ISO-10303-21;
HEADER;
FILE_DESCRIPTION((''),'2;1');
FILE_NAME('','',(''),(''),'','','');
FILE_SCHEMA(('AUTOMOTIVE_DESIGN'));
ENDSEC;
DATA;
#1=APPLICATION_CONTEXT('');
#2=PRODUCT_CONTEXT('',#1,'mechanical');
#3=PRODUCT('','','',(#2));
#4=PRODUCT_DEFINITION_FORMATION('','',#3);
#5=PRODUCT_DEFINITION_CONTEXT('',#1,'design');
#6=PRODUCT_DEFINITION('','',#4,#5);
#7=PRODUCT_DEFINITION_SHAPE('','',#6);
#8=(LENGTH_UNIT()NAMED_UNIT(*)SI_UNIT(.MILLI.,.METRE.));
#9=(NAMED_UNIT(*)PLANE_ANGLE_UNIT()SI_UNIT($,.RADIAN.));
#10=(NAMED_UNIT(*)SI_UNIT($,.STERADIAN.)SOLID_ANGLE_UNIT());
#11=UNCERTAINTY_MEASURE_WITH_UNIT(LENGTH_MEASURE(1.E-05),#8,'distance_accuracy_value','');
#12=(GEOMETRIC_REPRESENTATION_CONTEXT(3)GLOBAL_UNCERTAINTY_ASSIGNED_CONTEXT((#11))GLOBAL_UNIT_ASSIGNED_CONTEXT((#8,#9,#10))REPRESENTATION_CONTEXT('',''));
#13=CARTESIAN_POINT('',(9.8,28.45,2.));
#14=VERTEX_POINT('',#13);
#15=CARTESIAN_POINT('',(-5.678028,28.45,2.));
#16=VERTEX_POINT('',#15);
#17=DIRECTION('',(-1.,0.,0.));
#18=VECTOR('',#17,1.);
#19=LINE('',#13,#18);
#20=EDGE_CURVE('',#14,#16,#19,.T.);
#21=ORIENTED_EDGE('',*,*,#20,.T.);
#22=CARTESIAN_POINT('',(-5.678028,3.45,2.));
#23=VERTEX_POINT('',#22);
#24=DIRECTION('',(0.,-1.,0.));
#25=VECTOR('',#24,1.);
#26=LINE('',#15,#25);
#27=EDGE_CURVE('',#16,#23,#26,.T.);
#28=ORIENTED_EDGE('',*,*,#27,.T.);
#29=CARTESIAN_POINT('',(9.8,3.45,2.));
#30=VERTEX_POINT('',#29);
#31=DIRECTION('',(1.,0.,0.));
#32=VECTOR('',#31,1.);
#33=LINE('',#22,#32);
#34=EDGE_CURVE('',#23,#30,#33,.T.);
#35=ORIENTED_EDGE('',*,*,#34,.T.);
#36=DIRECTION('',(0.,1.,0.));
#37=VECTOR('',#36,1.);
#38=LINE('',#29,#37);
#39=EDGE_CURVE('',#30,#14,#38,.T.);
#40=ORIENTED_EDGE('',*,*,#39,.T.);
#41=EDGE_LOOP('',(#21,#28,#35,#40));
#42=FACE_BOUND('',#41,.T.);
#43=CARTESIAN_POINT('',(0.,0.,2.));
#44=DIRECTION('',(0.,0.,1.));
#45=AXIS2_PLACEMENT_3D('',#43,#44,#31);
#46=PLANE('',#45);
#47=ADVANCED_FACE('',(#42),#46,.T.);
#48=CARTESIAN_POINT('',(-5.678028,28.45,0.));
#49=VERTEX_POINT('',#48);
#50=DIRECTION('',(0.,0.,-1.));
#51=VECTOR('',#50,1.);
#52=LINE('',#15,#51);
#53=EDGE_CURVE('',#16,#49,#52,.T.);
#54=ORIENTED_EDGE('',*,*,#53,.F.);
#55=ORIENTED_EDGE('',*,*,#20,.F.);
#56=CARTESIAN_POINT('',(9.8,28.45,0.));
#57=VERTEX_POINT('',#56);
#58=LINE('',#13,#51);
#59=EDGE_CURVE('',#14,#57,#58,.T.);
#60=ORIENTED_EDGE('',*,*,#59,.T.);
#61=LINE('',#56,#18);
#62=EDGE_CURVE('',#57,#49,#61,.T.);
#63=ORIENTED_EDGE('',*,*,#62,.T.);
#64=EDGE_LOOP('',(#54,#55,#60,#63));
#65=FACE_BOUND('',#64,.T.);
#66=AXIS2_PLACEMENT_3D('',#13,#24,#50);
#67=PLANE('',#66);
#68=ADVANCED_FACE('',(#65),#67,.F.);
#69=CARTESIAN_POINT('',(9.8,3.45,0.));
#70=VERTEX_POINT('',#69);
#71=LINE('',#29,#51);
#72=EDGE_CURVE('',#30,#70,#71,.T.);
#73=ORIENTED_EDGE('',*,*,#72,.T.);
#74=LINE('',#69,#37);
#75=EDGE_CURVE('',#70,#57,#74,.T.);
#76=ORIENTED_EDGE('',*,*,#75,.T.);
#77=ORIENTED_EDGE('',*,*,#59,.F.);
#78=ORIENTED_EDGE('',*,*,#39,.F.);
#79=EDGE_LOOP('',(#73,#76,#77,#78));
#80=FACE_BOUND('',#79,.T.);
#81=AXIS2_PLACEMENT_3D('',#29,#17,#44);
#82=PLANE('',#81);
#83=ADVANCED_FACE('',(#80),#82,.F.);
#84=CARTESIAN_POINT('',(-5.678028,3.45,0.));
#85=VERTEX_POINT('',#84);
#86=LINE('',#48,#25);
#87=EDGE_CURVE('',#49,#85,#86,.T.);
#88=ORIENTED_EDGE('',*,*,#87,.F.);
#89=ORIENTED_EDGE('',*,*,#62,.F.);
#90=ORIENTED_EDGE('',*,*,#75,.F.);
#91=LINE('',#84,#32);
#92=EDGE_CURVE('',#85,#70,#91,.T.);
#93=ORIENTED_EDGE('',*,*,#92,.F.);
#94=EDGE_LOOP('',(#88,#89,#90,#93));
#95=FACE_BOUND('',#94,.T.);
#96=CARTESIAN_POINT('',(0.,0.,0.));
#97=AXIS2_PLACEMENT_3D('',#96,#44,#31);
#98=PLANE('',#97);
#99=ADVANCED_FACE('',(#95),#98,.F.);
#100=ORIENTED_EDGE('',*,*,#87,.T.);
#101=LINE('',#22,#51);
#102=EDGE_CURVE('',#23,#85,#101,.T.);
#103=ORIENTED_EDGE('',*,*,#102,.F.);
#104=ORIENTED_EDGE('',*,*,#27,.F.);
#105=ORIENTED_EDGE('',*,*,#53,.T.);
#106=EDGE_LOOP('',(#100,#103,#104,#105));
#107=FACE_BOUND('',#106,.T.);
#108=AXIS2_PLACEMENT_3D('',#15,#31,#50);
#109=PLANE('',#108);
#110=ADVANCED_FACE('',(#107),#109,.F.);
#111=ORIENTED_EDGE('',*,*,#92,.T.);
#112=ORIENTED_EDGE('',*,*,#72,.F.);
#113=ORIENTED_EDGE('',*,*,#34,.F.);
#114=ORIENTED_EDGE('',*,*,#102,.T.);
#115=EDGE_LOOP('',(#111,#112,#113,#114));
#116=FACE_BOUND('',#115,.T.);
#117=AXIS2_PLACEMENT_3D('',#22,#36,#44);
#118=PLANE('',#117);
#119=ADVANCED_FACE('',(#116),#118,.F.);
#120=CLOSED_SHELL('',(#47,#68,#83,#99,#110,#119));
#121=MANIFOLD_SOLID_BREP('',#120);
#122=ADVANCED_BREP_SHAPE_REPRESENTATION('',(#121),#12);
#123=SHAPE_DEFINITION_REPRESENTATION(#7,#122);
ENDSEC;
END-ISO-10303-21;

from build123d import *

# Parameters (mm, degrees)
SKETCH_1_W      = 15.478027827
SKETCH_1_H      = 25
EXTRUDE_1_DEPTH = 2


with BuildPart() as part:
    # 草图1 → 凸台-拉伸1 (new body)
    with BuildSketch(Plane.XY):
        with Locations((2.060986087, 15.95)):
            Rectangle(SKETCH_1_W, SKETCH_1_H)
    extrude(amount=EXTRUDE_1_DEPTH)


solid = part.part
